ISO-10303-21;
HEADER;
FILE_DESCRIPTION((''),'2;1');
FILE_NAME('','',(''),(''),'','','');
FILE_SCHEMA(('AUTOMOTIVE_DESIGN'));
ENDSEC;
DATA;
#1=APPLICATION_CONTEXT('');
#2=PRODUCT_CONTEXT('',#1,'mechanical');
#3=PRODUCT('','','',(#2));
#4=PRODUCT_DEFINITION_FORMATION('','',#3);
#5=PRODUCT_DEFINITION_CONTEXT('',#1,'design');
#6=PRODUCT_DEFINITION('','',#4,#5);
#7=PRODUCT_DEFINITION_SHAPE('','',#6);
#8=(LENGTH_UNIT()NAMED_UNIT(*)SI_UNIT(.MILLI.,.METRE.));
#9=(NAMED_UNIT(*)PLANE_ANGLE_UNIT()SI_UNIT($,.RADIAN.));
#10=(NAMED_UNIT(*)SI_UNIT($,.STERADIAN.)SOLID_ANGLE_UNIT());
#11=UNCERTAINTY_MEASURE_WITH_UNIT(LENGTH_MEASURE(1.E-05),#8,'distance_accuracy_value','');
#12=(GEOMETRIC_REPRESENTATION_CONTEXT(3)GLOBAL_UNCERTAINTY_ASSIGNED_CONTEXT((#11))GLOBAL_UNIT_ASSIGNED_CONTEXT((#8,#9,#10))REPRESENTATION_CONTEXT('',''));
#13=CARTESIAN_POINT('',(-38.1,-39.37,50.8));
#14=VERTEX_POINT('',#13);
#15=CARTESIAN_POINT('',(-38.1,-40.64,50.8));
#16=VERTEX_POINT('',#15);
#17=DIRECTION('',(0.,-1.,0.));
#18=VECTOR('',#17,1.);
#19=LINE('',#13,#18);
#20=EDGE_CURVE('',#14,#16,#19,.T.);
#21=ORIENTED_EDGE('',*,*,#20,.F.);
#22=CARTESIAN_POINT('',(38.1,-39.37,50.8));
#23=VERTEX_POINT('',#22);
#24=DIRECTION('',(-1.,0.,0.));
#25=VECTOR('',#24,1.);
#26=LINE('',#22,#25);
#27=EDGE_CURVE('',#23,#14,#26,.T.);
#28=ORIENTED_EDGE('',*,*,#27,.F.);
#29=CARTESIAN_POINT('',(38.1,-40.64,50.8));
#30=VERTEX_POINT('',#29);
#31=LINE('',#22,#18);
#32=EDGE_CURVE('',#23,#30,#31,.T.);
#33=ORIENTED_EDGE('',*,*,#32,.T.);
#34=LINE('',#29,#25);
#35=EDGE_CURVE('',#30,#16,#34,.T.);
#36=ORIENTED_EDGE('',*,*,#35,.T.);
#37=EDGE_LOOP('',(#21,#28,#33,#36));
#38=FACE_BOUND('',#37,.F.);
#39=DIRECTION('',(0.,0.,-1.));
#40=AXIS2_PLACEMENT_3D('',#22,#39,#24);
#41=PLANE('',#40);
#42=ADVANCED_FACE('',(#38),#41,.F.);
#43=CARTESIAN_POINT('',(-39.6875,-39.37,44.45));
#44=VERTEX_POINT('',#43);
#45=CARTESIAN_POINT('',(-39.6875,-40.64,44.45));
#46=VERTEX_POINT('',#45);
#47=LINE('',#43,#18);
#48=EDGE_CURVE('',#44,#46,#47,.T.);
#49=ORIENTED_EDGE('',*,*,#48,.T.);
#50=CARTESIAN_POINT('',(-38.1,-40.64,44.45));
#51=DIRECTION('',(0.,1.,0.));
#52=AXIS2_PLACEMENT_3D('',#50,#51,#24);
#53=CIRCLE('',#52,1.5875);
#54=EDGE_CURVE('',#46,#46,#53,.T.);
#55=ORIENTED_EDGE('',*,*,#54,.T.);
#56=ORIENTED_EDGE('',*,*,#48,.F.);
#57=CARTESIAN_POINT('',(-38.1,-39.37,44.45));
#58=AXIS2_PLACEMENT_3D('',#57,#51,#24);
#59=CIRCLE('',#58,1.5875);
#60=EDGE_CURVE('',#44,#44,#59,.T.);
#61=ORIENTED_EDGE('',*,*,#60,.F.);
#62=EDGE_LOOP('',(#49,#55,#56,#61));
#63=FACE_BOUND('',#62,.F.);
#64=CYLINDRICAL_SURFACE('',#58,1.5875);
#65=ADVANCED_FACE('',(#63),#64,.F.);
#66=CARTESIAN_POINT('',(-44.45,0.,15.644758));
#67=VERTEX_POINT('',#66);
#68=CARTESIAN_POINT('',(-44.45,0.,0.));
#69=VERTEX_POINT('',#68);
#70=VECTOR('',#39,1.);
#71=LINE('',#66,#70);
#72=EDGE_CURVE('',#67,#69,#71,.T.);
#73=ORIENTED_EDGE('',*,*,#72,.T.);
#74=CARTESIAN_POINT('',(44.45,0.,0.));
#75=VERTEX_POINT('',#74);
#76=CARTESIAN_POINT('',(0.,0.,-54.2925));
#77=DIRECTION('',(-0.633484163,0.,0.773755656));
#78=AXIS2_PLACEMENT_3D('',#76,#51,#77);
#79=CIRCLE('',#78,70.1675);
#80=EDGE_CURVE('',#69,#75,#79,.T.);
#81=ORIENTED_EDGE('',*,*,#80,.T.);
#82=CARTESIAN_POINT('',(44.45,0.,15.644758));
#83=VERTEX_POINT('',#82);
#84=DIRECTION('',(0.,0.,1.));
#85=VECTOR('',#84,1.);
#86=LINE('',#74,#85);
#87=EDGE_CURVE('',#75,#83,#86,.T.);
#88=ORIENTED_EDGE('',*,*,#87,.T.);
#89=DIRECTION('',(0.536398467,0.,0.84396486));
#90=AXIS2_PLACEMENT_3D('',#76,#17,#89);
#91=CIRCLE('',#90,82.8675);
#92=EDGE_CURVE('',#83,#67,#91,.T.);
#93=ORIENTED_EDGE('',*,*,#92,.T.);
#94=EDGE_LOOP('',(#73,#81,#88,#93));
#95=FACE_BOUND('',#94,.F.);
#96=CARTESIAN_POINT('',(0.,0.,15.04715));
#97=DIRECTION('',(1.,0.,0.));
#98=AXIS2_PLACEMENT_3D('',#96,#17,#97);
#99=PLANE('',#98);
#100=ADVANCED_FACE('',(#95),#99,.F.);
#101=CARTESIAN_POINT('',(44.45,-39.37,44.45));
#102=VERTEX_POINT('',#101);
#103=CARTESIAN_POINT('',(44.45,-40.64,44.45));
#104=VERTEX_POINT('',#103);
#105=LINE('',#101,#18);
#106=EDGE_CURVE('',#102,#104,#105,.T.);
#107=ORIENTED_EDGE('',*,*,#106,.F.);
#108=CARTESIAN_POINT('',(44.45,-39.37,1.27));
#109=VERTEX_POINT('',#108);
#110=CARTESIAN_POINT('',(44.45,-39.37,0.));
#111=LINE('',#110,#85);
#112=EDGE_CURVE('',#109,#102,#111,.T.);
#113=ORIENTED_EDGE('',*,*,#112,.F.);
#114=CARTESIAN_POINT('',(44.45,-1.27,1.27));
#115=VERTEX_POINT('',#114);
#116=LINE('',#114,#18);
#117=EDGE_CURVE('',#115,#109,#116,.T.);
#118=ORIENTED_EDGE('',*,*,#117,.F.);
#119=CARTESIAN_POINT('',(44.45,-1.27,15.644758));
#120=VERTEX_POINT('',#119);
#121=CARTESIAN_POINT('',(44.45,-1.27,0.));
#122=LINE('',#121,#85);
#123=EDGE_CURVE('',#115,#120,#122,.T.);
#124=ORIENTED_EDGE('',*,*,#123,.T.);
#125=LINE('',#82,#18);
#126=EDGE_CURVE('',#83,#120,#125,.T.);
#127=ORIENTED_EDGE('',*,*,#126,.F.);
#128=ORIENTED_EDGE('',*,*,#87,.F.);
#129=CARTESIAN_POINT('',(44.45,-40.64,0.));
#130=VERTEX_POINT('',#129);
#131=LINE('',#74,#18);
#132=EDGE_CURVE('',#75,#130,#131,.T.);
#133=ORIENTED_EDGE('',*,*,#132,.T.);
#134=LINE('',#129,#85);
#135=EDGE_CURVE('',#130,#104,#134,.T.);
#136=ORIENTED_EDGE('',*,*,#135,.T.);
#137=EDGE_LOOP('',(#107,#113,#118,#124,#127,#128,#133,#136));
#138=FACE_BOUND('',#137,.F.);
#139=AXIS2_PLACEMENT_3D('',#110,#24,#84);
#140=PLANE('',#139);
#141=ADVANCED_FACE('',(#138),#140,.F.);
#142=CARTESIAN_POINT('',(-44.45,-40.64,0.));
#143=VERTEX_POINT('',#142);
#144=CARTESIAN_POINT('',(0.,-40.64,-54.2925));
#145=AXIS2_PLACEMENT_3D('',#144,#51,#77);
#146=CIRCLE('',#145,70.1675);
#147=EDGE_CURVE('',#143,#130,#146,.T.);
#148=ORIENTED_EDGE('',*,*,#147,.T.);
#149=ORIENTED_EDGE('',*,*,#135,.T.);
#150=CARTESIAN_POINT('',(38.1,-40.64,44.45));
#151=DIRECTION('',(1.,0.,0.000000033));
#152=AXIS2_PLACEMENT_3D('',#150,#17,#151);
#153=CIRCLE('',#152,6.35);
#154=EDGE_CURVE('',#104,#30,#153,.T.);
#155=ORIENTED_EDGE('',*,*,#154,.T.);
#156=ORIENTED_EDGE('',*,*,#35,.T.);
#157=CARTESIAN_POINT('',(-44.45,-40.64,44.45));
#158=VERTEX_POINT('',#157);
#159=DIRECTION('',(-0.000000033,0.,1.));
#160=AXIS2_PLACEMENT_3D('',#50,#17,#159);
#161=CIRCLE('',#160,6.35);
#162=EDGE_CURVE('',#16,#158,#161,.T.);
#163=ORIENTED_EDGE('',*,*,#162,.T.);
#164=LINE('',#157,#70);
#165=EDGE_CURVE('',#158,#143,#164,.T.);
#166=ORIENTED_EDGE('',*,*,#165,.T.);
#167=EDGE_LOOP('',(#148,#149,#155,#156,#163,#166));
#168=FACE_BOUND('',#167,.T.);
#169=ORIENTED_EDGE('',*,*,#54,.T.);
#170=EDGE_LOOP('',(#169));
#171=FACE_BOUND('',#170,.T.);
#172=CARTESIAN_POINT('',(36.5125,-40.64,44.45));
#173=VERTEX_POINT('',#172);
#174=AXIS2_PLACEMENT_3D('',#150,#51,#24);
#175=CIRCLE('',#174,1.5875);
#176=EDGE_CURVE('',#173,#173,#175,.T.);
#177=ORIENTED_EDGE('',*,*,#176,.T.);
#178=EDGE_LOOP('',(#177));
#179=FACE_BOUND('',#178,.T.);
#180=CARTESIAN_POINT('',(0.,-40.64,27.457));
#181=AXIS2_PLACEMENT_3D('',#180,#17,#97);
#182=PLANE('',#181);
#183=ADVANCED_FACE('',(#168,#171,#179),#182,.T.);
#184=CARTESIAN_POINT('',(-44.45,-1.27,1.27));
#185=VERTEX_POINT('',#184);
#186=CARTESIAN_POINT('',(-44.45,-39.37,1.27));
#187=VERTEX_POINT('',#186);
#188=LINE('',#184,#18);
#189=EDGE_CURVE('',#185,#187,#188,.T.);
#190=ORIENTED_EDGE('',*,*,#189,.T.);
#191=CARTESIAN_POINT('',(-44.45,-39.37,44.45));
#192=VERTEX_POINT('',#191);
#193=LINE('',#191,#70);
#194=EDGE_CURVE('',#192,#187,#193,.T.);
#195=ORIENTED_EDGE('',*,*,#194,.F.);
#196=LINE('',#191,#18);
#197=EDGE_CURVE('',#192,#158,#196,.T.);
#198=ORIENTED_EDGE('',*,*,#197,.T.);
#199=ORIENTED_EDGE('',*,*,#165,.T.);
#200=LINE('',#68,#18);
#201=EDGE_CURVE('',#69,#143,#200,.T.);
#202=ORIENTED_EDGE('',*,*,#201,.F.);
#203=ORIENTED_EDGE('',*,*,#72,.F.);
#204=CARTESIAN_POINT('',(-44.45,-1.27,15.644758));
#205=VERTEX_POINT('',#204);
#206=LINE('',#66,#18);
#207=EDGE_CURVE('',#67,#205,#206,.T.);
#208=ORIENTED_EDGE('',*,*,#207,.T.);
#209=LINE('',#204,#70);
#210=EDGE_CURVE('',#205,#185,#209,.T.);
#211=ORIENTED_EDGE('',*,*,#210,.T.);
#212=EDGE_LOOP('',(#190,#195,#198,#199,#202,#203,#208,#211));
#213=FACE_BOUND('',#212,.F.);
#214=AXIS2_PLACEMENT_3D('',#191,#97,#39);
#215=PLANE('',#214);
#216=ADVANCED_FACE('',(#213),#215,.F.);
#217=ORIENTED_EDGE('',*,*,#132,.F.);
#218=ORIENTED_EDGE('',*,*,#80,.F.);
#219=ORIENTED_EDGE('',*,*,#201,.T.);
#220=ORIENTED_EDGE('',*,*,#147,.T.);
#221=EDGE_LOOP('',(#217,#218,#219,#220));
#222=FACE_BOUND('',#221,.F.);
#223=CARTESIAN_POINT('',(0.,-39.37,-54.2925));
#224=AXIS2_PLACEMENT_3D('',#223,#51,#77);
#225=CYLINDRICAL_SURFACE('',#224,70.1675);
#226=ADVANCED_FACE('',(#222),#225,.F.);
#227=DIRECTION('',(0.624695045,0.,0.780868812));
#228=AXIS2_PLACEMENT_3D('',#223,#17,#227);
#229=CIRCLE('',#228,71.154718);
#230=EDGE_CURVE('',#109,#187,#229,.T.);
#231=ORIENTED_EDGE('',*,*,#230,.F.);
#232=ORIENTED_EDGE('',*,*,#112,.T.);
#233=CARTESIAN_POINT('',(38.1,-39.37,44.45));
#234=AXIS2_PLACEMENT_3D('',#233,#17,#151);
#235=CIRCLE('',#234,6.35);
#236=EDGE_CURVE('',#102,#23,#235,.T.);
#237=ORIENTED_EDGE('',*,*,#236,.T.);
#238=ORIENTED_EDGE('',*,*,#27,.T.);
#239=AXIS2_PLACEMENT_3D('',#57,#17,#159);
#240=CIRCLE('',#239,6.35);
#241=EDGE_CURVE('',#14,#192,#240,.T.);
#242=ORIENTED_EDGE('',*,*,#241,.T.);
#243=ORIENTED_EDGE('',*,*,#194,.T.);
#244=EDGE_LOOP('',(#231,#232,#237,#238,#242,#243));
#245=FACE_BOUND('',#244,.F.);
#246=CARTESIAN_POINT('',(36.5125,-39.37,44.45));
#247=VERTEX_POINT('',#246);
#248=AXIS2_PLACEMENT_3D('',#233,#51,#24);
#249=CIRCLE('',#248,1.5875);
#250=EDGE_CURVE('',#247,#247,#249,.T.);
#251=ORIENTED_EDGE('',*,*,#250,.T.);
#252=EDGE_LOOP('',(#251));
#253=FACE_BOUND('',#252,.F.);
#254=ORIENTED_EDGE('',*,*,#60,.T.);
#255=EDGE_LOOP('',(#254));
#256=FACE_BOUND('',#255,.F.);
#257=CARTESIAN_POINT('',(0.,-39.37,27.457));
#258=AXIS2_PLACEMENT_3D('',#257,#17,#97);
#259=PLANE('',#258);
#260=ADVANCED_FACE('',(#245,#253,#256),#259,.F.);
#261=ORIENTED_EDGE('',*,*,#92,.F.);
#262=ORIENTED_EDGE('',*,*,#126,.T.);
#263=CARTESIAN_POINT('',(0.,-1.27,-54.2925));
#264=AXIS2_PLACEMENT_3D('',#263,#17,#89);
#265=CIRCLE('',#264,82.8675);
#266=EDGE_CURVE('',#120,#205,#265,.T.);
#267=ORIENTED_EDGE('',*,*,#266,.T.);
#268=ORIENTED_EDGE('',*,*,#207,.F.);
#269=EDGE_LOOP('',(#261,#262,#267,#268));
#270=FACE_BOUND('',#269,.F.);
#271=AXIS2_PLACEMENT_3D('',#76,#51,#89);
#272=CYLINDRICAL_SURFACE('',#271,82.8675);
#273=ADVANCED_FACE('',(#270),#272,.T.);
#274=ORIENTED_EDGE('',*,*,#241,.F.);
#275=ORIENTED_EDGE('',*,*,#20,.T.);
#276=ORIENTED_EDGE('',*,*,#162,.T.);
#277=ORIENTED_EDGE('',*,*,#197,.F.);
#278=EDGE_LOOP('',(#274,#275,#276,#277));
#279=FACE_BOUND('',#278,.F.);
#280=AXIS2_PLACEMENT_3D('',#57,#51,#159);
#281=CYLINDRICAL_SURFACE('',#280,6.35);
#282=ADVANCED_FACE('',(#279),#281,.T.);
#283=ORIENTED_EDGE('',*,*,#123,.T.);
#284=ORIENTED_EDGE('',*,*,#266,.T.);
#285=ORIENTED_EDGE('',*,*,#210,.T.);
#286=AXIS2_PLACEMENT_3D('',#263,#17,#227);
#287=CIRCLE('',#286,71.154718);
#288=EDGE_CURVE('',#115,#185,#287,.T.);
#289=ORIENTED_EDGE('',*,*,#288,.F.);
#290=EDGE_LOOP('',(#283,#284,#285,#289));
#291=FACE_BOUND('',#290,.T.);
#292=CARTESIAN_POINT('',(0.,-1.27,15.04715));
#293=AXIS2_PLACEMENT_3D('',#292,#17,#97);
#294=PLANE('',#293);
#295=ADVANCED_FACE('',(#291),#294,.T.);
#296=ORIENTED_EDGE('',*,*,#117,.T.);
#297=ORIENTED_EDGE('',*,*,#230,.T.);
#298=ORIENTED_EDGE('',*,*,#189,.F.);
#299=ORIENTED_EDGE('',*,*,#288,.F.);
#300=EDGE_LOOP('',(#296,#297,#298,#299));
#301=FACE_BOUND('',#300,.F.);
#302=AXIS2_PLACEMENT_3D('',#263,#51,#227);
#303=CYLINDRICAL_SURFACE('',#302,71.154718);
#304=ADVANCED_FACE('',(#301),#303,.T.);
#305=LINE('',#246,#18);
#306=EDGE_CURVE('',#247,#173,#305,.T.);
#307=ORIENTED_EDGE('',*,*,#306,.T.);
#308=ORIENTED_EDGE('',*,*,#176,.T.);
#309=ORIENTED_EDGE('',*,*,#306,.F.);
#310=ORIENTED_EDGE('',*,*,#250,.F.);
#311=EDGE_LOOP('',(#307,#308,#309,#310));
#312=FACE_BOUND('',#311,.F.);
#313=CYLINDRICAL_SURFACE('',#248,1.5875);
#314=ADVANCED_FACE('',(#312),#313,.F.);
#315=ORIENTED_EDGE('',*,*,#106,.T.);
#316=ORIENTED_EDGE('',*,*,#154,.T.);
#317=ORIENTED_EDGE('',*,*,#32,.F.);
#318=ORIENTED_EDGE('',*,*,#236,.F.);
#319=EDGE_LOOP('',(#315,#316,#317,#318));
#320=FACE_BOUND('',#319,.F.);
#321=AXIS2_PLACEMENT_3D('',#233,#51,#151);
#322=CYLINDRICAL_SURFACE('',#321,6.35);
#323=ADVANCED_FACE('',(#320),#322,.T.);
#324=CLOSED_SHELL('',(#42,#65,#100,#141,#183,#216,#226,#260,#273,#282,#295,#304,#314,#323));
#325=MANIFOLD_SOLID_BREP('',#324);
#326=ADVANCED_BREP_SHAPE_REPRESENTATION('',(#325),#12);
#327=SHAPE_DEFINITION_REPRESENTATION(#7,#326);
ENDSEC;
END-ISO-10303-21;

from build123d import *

# Parameters (mm, degrees)
F1_DEPTH = 1.27
F3_DEPTH = 38.1
F5_DEPTH = 1.27
F6_R     = 1.5875
F7_DEPTH = 25.4


with BuildPart() as f1:
    # F0 (on Front) → F1 (new body)
    with BuildSketch(Plane.XZ):
        with BuildLine():
            Line((-44.45, 15.644758), (-44.45, 0))
            ThreePointArc((-44.45, 0), (0, 15.875), (44.45, 0))
            Line((44.45, 0), (44.45, 15.644758))
            ThreePointArc((44.45, 15.644758), (0, 28.575), (-44.45, 15.644758))
        make_face()
    extrude(amount=F1_DEPTH)

    # F2 (on face) → F3 (join)
    with BuildSketch(Plane.XZ.offset(1.27)):
        with BuildLine():
            ThreePointArc((-44.45, 0), (0, 15.875), (44.45, 0))
            Line((44.45, 0), (44.45, 1.27))
            ThreePointArc((44.45, 1.27), (0, 16.862218), (-44.45, 1.27))
            Line((-44.45, 1.27), (-44.45, 0))
        make_face()
    extrude(amount=F3_DEPTH)

    # F4 (on face) → F5 (join)
    with BuildSketch(Plane.XZ.offset(39.37)):
        with BuildLine():
            Line((-44.45, 44.45), (-44.45, 0))
            ThreePointArc((-44.45, 0), (0, 15.875), (44.45, 0))
            Line((44.45, 0), (44.45, 44.45))
            ThreePointArc((44.45, 44.45), (42.590128, 48.940128), (38.1, 50.8))
            Line((38.1, 50.8), (-38.1, 50.8))
            ThreePointArc((-38.1, 50.8), (-42.590128, 48.940128), (-44.45, 44.45))
        make_face()
    extrude(amount=F5_DEPTH)

    # F6 (on face) → F7 (cut)
    with BuildSketch(Plane(origin=(0, -39.37, 0), x_dir=(-1, 0, 0), z_dir=(0, 1, 0))):
        with Locations((-38.1, 44.45)):
            Circle(F6_R)
        with Locations((38.1, 44.45)):
            Circle(F6_R)
    extrude(amount=-F7_DEPTH, mode=Mode.SUBTRACT)


solid = f1.part
